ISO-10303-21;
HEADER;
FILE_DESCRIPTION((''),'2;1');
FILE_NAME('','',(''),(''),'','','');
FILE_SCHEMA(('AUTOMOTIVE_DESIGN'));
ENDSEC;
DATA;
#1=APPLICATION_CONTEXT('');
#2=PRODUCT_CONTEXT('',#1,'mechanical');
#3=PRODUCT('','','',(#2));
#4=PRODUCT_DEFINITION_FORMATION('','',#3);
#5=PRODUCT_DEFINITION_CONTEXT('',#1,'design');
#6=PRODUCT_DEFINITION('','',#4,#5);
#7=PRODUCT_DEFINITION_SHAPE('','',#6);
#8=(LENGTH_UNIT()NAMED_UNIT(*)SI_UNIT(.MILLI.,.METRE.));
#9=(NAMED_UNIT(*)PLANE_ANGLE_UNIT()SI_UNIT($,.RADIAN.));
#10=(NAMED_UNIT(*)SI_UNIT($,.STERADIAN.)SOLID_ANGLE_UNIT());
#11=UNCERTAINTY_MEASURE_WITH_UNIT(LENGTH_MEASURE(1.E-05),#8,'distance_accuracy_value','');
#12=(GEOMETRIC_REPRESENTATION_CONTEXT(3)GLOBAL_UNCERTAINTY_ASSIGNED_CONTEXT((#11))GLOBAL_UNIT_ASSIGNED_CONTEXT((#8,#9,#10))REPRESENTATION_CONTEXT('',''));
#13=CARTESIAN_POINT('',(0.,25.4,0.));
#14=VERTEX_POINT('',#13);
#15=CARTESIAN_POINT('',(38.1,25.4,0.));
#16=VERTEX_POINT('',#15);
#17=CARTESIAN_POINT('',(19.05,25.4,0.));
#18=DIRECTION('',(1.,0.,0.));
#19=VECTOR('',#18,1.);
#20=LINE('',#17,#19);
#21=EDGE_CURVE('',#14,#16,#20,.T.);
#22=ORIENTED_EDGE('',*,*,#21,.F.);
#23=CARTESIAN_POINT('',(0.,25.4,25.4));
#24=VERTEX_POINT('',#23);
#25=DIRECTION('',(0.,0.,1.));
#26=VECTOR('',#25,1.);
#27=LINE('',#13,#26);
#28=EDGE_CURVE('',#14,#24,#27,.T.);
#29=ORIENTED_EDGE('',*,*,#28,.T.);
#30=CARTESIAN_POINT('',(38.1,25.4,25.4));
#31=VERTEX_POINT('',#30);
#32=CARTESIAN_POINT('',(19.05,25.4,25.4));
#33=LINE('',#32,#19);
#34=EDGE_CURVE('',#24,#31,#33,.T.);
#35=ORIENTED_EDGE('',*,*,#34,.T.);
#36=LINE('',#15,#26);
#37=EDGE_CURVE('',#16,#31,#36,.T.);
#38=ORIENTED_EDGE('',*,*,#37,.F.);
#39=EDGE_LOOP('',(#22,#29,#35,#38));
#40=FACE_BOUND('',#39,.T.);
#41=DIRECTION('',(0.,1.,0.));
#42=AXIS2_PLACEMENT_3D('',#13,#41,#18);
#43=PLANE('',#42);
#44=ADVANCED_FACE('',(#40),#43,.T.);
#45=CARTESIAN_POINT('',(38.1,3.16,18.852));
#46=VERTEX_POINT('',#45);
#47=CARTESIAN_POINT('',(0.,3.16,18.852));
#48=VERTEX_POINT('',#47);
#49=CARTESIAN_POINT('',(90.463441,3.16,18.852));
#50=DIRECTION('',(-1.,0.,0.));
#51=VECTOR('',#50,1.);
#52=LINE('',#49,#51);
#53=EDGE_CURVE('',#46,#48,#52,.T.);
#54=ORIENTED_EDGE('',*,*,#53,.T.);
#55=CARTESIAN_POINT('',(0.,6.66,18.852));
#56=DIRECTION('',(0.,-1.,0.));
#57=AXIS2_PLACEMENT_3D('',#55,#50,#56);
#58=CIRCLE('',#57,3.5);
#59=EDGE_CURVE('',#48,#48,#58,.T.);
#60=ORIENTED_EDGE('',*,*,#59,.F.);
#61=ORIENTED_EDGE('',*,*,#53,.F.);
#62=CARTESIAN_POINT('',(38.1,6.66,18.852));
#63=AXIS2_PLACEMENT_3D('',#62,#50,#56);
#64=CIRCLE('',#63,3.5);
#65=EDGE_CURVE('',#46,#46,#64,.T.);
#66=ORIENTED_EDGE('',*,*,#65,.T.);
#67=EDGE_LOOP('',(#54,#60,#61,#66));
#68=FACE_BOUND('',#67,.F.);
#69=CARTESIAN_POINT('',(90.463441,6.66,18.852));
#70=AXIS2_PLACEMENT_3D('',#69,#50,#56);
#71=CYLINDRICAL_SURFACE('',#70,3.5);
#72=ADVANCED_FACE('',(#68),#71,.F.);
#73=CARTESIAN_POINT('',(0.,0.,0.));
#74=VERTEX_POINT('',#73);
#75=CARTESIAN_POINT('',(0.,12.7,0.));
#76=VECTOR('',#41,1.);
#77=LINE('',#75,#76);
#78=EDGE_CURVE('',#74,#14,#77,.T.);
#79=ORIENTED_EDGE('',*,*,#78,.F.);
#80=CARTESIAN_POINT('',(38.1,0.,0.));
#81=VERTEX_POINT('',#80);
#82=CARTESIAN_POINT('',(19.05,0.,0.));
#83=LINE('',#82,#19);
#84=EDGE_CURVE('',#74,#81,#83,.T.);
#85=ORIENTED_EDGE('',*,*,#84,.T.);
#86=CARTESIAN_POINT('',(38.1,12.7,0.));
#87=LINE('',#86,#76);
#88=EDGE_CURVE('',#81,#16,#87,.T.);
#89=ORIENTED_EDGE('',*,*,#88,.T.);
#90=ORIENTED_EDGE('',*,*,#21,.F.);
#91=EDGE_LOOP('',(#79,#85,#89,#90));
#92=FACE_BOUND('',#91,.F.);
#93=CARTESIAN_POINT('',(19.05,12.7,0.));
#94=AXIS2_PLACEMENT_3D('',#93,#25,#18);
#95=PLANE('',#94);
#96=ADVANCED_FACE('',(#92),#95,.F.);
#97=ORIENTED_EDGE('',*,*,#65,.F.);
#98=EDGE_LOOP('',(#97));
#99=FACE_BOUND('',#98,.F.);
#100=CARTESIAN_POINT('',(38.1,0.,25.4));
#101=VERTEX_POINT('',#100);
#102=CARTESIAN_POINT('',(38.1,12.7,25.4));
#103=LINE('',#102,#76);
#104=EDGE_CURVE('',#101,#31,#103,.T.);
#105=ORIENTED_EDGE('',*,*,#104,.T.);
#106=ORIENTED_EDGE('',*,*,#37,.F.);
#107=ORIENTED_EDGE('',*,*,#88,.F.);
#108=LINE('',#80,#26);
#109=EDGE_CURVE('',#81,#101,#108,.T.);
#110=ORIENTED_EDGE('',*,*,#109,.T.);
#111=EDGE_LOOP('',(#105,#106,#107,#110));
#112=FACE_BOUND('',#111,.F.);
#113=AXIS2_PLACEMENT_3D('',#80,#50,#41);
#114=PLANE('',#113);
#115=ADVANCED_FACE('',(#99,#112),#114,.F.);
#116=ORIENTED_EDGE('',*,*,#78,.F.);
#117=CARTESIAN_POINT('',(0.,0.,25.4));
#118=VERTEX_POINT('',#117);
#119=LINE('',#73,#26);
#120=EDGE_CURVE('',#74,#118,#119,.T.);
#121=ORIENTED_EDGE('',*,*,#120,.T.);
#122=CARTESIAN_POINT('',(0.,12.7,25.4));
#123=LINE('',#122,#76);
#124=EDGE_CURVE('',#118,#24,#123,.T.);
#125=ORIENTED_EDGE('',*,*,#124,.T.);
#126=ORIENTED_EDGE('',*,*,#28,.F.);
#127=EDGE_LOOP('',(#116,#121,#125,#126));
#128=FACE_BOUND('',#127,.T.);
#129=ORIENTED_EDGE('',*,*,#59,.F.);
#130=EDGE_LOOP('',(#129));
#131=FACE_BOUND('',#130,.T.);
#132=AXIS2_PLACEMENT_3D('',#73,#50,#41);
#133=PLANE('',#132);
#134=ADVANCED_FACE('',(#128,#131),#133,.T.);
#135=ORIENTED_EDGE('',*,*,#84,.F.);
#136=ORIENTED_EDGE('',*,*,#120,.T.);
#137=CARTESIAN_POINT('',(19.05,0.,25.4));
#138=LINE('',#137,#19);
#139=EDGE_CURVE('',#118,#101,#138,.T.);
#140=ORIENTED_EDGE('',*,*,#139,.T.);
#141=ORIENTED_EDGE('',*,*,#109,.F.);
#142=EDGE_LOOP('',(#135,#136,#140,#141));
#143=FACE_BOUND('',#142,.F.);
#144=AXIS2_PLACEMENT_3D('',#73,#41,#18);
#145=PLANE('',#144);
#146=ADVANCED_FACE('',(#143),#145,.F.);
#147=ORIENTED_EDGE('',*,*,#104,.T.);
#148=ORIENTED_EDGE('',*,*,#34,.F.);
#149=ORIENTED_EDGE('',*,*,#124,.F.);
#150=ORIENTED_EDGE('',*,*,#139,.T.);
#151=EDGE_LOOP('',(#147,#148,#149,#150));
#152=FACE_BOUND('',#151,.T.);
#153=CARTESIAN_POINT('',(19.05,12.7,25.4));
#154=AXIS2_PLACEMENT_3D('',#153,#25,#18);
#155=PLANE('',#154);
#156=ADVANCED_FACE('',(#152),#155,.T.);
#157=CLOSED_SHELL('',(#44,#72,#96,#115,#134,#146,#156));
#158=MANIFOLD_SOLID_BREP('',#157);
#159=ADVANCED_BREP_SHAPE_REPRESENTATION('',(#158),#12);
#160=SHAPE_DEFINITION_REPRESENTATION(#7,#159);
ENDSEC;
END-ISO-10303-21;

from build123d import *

# Parameters (mm, degrees)
F0_W     = 38.1
F0_H     = 25.4
F1_DEPTH = 25.4
F3_D     = 7


with BuildPart() as f1:
    # F0 (on Top) → F1 (new body)
    with BuildSketch(Plane.XY):
        with Locations((19.05, 12.7)):
            Rectangle(F0_W, F0_H)
    extrude(amount=F1_DEPTH)

    # F3 (through all)
    with Locations(Plane.YZ.offset(38.1)):
        with Locations((6.66, 18.852)):
            Hole(F3_D / 2)


solid = f1.part
